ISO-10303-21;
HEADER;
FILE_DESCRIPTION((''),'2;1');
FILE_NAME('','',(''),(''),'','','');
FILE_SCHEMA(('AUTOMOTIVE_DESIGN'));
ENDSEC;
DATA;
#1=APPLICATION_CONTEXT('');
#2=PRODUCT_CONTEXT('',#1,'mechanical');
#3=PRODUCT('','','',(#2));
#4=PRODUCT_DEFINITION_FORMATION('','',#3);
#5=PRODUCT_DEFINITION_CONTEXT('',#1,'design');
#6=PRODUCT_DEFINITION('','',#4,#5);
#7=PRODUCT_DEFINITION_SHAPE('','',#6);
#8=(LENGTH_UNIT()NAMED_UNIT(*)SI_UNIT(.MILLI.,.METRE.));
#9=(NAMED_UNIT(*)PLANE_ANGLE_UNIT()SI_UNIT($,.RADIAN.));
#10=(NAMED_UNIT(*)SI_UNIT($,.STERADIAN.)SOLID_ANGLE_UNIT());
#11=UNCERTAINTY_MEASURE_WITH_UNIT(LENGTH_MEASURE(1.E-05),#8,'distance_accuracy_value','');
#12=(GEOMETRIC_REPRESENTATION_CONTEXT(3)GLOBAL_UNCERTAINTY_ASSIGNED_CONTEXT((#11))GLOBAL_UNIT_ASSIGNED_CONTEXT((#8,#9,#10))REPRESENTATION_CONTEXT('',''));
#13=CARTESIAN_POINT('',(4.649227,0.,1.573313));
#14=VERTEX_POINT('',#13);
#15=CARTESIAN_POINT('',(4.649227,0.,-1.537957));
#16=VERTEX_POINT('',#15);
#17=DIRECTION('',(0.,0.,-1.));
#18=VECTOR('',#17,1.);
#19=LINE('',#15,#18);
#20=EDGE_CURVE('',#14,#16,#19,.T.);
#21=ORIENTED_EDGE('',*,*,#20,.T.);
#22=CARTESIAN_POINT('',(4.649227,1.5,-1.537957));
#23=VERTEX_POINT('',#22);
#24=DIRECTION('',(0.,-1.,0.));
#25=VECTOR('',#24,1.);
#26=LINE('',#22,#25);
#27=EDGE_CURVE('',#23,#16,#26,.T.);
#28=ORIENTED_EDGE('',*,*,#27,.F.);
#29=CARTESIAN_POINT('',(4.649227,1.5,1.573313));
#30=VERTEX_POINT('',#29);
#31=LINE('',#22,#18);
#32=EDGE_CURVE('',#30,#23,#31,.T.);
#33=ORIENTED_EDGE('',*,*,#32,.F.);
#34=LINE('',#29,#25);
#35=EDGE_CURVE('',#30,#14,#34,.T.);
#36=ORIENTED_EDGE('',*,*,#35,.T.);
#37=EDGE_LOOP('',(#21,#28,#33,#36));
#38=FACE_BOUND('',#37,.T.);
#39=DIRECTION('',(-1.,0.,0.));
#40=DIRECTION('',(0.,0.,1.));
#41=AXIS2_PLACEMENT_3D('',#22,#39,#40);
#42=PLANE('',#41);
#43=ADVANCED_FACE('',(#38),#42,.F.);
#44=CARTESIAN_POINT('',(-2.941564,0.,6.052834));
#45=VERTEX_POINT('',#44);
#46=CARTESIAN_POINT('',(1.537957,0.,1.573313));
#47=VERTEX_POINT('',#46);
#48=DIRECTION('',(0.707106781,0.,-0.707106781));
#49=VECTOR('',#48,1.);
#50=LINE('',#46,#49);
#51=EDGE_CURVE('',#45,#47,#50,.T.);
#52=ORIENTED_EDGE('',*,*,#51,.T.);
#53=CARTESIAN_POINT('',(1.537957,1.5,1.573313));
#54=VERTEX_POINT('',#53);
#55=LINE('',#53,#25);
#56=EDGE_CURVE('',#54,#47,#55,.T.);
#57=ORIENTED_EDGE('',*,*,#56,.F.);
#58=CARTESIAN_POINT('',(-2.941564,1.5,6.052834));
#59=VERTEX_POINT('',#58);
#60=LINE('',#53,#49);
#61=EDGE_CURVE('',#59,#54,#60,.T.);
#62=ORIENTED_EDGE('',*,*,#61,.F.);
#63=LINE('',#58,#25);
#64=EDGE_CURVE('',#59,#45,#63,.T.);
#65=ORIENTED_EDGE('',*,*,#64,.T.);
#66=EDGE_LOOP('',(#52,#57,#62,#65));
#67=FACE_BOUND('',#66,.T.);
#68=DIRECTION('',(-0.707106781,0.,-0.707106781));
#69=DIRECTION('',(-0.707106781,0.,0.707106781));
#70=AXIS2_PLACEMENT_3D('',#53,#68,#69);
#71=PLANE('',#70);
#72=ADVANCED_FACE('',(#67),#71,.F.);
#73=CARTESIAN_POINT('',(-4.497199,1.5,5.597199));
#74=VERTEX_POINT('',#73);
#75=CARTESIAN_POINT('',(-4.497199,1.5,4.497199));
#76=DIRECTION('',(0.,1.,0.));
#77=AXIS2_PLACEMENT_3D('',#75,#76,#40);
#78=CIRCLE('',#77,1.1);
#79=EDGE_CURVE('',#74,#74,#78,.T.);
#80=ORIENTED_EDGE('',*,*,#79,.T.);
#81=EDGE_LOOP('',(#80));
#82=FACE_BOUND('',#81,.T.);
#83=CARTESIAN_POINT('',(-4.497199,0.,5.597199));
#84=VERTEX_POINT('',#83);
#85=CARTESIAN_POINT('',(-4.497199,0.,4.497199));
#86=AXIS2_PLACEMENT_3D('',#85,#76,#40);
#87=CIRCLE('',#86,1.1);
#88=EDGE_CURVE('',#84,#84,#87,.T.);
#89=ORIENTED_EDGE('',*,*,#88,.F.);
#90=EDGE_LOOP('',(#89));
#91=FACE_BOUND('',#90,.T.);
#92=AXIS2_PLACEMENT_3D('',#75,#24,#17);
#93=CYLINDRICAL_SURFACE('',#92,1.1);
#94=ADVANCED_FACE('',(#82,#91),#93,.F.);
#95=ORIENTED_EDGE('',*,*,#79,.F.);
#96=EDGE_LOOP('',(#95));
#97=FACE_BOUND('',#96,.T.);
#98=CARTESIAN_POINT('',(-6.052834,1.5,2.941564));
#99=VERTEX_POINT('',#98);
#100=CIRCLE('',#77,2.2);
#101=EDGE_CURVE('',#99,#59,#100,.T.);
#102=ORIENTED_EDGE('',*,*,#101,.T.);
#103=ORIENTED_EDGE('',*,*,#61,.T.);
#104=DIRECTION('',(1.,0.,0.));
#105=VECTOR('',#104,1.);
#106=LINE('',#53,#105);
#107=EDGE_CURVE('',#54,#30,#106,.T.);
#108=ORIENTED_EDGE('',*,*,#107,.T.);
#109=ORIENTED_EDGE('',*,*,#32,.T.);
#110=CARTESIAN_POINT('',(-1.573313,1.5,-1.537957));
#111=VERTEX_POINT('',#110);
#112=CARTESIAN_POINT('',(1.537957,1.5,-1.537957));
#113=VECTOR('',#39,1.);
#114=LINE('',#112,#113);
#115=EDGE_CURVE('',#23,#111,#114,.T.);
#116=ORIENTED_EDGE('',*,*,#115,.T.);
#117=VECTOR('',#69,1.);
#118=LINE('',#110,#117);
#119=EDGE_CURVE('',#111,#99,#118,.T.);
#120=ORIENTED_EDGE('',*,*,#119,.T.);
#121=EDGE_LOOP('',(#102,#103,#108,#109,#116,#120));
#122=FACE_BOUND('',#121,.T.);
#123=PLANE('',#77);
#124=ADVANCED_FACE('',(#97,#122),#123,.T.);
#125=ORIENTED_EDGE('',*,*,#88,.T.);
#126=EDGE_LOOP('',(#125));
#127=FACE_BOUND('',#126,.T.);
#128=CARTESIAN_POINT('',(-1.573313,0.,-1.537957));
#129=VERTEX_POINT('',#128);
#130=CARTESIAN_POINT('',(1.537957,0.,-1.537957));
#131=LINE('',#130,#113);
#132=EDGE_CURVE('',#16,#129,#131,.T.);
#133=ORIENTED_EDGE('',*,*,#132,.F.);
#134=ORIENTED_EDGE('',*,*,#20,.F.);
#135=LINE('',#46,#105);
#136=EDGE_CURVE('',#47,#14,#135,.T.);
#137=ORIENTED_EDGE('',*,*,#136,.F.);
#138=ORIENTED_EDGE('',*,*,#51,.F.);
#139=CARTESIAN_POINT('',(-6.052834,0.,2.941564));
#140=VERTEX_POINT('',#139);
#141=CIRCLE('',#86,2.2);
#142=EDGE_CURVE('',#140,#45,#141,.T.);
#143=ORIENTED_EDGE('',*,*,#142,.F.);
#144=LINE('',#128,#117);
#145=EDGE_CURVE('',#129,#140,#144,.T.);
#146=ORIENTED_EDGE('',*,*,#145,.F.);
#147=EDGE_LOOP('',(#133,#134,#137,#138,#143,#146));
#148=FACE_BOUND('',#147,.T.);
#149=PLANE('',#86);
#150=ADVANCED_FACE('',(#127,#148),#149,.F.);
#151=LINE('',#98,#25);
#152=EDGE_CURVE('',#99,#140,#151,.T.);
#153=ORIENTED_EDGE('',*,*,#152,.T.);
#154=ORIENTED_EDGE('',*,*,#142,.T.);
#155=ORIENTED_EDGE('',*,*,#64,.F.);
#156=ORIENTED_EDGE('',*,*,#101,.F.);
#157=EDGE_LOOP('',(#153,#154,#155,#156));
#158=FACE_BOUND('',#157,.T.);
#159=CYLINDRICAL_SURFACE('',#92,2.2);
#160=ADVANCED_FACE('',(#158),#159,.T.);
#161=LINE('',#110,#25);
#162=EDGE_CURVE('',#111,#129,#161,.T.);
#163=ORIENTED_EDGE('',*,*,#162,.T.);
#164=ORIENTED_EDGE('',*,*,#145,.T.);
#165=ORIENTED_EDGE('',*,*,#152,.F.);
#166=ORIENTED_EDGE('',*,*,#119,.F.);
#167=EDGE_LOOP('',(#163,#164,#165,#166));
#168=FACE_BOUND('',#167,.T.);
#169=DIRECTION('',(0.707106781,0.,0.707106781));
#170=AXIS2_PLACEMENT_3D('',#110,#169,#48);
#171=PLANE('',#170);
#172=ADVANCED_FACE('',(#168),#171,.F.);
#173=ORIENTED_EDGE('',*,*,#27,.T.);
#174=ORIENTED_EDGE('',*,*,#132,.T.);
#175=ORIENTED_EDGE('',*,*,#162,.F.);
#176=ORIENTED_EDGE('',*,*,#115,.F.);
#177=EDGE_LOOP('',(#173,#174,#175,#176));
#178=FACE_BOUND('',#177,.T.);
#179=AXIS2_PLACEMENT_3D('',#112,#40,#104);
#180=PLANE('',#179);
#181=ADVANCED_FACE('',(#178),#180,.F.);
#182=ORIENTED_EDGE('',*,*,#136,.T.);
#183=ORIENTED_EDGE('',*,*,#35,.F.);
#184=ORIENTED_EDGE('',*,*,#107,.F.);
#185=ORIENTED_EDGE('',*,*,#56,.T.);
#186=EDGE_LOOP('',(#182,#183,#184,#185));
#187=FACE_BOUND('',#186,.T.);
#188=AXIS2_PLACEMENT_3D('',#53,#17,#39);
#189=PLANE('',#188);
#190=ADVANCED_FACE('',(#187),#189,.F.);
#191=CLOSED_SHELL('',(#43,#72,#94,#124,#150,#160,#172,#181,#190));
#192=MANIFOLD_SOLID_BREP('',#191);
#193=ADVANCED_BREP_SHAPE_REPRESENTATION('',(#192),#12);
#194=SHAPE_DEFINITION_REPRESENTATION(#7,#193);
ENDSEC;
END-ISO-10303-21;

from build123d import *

# Parameters (mm, degrees)
SKETCH_2_R      = 1.1
EXTRUDE_1_DEPTH = 1.5


with BuildPart() as part:
    # 草图2 → 凸台-拉伸1 (new body)
    with BuildSketch(Plane(origin=(0, 0, 0), x_dir=(1, 0, 0), z_dir=(0, 1, 0))):
        with BuildLine():
            Line((1.537957249, 1.537957249), (4.649227086, 1.537957249))
            Line((4.649227086, 1.537957249), (4.649227086, -1.573312588))
            Line((4.649227086, -1.573312588), (1.537957249, -1.573312588))
            Line((1.537957249, -1.573312588), (-2.94156421, -6.052834047))
            ThreePointArc((-2.94156421, -6.052834047), (-6.052834047, -6.052834047), (-6.052834047, -2.94156421))
            Line((-6.052834047, -2.94156421), (-1.573312588, 1.537957249))
            Line((-1.573312588, 1.537957249), (1.537957249, 1.537957249))
        make_face()
        with Locations(Location((-4.497199128, -4.497199128, 0), (0, 0, 270))):
            Circle(SKETCH_2_R, mode=Mode.SUBTRACT)
    extrude(amount=EXTRUDE_1_DEPTH)


solid = part.part
